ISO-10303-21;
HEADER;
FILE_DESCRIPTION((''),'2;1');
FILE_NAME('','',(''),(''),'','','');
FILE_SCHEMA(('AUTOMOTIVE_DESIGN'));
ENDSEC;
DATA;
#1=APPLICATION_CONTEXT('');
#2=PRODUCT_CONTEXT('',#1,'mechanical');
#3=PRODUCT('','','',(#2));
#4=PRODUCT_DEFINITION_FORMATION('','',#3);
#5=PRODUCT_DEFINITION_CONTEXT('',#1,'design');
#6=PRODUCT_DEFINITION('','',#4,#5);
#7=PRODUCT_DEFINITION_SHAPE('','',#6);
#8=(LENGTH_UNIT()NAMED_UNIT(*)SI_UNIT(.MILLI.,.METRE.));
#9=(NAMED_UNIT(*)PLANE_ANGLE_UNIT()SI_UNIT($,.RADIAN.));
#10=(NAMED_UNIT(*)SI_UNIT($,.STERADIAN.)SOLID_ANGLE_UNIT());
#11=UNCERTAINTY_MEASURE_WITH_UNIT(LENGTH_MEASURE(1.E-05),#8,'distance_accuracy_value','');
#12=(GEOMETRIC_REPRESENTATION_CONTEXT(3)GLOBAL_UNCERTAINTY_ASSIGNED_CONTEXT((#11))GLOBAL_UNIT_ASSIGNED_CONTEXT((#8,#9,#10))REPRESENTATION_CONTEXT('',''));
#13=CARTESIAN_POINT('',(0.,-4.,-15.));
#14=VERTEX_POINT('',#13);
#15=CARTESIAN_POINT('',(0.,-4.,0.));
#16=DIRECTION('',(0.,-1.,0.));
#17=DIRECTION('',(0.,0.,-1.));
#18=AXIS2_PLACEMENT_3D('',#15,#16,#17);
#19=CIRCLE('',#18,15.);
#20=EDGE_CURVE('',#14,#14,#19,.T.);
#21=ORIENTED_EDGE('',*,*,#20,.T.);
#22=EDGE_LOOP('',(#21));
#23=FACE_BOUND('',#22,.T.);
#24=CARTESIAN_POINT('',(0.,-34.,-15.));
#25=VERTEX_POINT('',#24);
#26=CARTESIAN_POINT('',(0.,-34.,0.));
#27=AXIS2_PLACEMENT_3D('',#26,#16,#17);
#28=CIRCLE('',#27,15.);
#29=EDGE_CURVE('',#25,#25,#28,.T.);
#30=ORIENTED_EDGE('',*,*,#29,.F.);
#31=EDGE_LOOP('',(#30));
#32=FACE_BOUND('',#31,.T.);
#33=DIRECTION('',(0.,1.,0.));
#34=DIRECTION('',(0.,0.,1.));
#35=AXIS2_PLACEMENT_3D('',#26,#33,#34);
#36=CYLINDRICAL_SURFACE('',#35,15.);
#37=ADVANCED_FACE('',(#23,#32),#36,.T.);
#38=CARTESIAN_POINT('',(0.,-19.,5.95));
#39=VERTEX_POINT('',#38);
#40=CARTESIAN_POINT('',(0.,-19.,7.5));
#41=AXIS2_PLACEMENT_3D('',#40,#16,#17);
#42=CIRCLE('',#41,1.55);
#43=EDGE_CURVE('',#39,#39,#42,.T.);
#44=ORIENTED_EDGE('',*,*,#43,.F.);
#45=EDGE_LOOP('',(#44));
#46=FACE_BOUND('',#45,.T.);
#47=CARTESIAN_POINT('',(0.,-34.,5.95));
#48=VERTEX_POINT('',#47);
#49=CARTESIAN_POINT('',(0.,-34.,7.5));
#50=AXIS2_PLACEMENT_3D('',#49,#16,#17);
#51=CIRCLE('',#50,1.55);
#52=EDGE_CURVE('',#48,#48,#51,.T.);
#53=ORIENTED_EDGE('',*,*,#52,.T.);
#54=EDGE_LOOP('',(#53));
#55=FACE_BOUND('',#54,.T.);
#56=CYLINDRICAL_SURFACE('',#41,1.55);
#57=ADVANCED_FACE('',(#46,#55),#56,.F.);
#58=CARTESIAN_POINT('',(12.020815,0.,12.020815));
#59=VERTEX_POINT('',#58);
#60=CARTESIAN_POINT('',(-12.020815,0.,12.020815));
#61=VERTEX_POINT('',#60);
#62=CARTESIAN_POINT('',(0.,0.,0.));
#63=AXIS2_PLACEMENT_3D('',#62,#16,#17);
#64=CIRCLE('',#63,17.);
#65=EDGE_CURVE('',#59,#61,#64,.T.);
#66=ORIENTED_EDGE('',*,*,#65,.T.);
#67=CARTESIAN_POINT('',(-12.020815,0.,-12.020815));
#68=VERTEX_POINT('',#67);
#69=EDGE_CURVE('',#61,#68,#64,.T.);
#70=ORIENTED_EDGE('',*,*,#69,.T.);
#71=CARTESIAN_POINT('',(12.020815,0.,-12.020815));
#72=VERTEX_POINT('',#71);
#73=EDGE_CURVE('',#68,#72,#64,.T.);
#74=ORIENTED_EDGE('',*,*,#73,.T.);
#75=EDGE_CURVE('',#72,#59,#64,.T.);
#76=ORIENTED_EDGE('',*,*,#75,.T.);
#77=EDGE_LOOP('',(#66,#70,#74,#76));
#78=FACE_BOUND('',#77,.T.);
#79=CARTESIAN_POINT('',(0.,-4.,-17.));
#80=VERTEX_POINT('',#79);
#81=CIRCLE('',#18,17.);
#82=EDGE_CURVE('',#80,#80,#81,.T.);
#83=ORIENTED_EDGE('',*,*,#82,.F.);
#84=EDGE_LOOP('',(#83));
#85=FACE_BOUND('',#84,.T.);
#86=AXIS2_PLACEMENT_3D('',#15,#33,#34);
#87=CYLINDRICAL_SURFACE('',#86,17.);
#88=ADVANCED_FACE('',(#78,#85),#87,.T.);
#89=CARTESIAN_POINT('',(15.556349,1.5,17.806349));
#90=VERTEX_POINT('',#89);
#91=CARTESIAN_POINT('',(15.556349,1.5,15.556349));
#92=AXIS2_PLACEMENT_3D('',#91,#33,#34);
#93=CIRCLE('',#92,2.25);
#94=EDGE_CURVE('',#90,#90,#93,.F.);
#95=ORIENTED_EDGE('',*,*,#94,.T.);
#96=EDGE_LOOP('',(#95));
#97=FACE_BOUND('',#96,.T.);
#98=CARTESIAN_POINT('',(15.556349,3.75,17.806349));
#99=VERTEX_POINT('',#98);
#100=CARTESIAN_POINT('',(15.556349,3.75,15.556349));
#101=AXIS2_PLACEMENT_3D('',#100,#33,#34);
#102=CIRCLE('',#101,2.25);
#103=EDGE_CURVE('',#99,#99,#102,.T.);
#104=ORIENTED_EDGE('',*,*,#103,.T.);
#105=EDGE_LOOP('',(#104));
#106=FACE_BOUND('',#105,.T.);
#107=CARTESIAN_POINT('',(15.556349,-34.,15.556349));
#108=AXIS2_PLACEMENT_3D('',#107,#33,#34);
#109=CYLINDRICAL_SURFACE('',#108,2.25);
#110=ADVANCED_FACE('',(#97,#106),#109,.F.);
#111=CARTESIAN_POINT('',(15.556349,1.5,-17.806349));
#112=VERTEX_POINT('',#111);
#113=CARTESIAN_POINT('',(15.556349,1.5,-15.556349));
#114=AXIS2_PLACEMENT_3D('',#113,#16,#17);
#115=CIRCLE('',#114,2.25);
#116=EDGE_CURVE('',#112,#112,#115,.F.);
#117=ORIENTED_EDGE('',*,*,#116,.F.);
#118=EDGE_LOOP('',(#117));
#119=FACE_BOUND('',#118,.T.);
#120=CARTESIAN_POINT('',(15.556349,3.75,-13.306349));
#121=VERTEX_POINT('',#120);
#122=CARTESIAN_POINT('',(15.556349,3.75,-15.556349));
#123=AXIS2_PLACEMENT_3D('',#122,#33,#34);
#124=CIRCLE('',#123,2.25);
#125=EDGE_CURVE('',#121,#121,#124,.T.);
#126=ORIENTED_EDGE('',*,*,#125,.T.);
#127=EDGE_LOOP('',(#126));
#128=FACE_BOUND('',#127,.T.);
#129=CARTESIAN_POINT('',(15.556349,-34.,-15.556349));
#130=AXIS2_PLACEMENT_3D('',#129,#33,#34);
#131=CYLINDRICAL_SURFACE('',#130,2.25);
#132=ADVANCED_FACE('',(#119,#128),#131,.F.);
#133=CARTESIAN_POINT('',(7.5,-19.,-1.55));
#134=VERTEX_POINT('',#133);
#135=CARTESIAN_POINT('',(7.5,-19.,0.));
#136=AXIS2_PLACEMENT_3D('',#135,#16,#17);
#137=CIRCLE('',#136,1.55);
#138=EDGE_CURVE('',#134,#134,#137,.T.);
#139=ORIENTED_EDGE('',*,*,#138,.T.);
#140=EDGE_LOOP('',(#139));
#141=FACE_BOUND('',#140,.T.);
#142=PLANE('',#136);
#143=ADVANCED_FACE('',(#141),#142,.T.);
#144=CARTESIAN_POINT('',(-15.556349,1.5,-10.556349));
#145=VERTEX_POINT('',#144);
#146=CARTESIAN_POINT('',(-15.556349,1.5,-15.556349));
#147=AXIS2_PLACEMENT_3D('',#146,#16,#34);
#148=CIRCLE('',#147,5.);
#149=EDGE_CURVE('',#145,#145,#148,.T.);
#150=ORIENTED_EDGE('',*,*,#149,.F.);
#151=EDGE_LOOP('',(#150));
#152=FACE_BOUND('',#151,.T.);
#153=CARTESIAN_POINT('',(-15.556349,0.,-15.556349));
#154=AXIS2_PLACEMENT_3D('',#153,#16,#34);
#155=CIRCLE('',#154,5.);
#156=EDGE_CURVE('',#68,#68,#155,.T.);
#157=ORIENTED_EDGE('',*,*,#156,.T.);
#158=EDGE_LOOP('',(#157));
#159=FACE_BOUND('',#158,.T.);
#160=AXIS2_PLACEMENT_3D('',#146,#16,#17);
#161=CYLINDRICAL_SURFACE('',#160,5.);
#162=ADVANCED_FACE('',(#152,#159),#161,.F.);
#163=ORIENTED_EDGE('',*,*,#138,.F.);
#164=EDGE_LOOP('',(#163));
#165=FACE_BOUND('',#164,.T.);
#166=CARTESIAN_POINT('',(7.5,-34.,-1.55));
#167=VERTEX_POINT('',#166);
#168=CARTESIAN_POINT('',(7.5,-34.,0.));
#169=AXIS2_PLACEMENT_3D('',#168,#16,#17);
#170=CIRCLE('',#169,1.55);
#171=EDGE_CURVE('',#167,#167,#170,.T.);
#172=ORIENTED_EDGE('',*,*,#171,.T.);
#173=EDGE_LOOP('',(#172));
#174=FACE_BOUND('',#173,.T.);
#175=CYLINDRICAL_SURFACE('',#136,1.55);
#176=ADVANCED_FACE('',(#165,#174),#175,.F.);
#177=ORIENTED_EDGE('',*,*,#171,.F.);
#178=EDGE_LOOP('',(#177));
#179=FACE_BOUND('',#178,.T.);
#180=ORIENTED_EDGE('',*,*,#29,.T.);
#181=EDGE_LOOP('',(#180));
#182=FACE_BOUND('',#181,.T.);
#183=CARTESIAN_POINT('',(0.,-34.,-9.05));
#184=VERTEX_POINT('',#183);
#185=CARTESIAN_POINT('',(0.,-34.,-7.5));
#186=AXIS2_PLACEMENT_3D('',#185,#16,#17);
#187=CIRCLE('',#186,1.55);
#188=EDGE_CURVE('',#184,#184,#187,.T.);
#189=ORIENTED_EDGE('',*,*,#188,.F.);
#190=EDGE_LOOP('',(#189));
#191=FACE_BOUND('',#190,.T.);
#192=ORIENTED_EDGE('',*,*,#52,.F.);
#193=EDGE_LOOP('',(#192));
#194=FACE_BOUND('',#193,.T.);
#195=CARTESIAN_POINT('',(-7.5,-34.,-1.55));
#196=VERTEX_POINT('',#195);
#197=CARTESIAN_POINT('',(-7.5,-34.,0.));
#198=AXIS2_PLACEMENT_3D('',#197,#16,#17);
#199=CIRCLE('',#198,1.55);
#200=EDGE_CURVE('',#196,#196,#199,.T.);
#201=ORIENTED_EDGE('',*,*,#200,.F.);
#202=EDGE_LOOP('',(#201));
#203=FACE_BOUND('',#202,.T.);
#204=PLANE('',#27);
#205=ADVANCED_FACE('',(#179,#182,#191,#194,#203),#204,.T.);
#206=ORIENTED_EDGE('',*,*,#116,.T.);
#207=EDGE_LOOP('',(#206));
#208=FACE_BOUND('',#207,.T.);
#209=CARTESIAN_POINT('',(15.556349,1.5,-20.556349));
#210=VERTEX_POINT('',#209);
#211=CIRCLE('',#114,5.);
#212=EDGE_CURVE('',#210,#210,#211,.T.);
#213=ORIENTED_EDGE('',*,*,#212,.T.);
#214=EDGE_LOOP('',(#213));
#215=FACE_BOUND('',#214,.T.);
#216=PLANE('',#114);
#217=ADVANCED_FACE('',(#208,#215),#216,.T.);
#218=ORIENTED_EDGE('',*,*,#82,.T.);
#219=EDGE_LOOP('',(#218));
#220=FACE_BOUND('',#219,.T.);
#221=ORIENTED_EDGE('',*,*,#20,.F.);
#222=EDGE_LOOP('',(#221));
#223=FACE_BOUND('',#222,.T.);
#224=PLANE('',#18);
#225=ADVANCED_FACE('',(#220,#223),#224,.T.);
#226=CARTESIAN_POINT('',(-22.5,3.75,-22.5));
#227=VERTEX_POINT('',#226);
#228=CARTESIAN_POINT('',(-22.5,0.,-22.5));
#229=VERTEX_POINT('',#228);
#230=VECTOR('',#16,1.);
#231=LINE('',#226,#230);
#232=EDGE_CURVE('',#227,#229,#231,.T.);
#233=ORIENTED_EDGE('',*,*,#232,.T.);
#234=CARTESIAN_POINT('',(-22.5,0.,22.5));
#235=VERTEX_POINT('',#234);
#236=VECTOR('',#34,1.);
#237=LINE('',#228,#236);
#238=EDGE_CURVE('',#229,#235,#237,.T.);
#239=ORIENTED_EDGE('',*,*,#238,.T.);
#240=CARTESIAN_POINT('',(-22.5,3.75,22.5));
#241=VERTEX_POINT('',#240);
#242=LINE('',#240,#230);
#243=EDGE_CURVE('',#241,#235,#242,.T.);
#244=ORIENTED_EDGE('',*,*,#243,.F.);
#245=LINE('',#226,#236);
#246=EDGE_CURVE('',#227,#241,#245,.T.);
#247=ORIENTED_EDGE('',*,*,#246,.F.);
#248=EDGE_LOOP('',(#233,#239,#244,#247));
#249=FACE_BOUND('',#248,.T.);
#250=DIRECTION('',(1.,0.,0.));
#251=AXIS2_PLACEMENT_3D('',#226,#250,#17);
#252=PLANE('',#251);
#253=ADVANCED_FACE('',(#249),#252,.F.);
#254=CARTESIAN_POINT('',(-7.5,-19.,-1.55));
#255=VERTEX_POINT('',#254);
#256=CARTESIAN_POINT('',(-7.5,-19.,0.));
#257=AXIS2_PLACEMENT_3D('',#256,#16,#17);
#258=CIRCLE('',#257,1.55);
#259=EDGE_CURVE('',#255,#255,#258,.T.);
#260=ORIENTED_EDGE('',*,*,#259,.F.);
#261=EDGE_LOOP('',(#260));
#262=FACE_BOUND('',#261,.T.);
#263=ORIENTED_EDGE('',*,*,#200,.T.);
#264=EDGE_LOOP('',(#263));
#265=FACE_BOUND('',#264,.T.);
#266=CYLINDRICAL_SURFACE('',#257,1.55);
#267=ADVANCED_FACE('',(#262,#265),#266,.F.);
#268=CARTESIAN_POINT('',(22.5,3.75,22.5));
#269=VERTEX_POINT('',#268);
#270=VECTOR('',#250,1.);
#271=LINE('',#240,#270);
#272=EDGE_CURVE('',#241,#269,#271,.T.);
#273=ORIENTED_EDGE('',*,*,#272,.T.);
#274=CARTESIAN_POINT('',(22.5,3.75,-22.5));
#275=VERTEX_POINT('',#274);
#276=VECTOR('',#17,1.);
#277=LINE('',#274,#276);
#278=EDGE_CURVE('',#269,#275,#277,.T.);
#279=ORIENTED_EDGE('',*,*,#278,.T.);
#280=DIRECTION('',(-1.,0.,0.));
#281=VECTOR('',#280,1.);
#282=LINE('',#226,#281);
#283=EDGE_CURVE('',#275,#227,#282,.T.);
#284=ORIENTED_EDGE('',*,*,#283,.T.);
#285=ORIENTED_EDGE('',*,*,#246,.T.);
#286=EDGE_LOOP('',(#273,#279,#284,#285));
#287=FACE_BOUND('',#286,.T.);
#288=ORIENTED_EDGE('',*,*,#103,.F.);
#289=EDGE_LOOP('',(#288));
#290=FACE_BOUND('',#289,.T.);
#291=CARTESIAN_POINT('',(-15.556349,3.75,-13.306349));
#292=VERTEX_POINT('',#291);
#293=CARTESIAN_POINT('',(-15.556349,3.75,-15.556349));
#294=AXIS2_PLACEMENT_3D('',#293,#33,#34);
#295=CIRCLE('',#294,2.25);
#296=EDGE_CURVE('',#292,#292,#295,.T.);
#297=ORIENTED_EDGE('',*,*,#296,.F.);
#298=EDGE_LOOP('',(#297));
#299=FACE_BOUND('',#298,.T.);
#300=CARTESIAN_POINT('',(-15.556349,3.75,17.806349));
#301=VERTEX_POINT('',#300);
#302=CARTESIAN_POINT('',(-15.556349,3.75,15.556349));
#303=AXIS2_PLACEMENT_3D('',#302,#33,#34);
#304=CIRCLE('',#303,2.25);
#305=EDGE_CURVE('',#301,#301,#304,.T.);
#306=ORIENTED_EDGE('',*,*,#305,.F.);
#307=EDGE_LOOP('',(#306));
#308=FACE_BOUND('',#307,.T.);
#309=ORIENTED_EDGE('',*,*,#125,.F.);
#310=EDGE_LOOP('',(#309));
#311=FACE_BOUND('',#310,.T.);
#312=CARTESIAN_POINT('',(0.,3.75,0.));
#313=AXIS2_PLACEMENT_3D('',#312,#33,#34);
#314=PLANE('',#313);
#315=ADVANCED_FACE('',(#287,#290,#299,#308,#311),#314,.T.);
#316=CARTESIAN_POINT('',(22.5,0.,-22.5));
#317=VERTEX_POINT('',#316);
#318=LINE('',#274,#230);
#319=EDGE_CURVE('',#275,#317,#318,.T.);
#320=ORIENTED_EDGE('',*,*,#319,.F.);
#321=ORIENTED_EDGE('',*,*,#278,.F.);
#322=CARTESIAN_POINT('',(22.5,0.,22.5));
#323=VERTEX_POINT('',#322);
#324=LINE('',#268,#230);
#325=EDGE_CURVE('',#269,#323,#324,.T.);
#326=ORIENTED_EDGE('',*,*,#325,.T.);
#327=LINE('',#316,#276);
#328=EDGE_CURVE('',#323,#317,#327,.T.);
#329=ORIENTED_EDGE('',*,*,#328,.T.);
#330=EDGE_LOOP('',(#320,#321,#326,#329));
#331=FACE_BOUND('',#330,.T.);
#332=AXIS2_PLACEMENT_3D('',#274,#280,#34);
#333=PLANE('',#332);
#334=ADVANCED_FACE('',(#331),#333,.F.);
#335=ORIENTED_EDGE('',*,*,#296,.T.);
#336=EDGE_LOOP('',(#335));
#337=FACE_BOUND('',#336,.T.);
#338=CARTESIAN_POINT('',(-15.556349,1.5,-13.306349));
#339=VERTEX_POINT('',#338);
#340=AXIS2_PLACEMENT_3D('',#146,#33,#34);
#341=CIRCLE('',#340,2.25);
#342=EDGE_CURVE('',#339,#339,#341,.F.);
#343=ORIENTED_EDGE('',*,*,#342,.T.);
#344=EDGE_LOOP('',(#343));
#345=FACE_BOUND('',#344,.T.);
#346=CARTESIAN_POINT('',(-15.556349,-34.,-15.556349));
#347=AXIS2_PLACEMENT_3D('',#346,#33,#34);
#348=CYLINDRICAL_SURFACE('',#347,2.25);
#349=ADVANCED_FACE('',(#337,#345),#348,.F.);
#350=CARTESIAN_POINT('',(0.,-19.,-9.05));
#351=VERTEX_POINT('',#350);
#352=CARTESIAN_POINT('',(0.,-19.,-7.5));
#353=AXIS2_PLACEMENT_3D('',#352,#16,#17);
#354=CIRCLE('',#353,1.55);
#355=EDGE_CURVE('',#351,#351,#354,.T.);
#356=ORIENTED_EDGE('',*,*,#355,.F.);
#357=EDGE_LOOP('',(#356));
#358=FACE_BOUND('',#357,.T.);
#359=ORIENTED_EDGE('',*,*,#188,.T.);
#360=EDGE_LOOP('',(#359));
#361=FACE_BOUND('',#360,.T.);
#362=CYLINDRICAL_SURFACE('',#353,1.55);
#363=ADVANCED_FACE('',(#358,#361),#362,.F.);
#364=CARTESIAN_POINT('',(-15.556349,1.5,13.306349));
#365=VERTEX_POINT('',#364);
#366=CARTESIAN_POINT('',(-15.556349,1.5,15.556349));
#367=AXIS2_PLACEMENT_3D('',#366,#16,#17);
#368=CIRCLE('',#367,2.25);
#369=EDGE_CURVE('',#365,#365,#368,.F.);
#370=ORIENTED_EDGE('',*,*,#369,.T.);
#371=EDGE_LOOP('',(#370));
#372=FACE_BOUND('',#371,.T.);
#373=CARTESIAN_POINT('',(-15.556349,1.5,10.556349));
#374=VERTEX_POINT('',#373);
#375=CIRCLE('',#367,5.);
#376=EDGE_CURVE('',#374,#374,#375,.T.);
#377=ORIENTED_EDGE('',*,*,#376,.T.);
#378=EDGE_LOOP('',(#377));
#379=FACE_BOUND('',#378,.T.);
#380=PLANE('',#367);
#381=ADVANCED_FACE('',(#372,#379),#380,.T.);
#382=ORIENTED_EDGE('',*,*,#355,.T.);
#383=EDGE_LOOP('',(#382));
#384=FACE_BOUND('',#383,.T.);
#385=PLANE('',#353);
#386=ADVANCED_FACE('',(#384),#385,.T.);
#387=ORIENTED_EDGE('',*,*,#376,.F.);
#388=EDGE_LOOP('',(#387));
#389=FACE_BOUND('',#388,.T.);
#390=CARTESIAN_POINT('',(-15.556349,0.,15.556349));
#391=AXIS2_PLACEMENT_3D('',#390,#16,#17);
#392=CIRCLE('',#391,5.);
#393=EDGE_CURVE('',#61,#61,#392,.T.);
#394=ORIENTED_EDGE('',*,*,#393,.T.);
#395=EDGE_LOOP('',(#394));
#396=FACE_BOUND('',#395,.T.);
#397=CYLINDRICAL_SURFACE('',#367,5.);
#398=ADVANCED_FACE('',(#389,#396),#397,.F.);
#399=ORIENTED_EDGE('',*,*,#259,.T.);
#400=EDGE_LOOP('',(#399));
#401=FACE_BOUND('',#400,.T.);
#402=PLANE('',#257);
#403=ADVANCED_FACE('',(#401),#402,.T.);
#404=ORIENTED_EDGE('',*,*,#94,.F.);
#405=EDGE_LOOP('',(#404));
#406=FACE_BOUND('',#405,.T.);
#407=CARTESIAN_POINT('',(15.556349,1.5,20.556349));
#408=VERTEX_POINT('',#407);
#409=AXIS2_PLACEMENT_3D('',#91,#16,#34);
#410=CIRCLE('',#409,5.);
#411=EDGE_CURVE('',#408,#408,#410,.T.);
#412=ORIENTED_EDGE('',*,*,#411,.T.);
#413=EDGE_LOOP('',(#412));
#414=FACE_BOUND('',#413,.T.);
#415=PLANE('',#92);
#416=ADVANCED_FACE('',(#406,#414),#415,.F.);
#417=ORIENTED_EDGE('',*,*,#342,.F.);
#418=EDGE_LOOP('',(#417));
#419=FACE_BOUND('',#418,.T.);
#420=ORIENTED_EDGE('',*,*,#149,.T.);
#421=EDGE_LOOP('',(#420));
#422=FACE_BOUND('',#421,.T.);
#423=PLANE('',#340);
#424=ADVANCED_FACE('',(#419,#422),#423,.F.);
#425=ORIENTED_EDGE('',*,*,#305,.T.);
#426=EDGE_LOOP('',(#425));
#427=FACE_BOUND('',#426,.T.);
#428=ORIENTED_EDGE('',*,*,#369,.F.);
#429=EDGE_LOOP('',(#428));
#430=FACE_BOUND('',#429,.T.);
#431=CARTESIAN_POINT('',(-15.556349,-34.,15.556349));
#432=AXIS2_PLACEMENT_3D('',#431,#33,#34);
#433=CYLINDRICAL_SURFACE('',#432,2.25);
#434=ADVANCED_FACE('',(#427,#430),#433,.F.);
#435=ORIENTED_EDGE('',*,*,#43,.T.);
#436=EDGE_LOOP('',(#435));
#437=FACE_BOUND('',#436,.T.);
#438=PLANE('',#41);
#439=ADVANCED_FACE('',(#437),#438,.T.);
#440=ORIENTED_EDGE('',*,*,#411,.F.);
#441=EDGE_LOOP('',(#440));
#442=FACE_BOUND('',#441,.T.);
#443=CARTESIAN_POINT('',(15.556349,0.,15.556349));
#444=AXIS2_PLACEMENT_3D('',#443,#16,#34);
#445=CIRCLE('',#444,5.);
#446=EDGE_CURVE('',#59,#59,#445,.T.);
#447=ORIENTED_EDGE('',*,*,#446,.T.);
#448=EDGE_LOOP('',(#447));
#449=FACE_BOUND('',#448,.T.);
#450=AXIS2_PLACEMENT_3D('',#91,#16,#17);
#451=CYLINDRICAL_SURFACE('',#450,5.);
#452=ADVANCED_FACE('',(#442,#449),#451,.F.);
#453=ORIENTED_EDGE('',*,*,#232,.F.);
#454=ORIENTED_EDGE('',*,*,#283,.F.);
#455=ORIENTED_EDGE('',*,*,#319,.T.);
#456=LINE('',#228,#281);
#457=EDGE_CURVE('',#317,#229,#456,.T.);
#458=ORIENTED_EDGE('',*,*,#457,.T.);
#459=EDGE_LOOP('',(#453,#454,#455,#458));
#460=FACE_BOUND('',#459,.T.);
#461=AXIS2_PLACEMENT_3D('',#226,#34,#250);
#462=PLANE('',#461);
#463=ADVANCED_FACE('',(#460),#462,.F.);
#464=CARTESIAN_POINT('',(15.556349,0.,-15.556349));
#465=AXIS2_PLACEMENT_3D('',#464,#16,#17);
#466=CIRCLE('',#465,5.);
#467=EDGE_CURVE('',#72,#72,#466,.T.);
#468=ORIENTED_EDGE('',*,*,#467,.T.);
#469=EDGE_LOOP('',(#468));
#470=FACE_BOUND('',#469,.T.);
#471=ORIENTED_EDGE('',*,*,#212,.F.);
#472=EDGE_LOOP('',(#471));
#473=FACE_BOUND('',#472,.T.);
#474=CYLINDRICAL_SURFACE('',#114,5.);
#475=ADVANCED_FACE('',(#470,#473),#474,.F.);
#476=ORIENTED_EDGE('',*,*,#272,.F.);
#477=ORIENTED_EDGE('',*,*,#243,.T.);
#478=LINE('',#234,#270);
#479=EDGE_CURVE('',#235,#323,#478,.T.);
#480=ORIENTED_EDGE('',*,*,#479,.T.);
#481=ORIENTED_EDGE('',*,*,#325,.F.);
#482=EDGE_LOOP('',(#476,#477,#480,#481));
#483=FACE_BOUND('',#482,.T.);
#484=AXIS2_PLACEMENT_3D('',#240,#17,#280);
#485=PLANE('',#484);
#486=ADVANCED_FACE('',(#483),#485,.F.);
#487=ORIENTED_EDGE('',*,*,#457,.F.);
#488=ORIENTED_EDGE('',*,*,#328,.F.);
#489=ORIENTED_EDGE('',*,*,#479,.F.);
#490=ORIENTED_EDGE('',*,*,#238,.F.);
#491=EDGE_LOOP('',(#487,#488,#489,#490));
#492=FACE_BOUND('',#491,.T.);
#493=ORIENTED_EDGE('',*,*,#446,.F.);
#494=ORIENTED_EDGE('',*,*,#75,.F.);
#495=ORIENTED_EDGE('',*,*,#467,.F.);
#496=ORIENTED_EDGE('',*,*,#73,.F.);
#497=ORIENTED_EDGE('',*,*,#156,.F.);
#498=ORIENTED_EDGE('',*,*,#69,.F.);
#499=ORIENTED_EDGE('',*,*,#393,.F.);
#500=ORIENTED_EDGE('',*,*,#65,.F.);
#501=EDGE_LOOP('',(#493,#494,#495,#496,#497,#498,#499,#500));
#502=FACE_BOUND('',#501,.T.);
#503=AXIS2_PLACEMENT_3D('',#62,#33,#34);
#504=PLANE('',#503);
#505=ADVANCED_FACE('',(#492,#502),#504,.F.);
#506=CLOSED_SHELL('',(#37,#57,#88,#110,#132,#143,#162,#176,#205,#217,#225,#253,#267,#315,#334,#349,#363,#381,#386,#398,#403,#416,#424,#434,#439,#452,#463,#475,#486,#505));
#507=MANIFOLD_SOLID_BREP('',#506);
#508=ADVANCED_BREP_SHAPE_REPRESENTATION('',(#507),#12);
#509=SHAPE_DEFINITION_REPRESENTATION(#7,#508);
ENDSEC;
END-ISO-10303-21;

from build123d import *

# Parameters (mm, degrees)
SKETCH1_W           = 45
SKETCH1_H           = 45
BOSS_EXTRUDE1_DEPTH = 3.75
SKETCH2_R           = 15
BOSS_EXTRUDE2_DEPTH = 34
SKETCH3_R           = 2.25
CUT_EXTRUDE1_DEPTH  = 50.371677103
SKETCH4_R           = 5
CUT_EXTRUDE2_DEPTH  = 1.5
SKETCH5_R           = 1.55
CUT_EXTRUDE3_DEPTH  = 15
SKETCH7_R           = 17
BOSS_EXTRUDE3_DEPTH = 4


with BuildPart() as part:
    # Sketch1 → Boss-Extrude1 (new body)
    with BuildSketch(Plane(origin=(0, 0, 0), x_dir=(1, 0, 0), z_dir=(0, 1, 0))):
        Rectangle(SKETCH1_W, SKETCH1_H)
    extrude(amount=BOSS_EXTRUDE1_DEPTH)

    # Sketch2 → Boss-Extrude2 (add)
    with BuildSketch(Plane.XZ):
        with Locations(Location((0, 0, 0), (0, 0, 270))):
            Circle(SKETCH2_R)
    extrude(amount=BOSS_EXTRUDE2_DEPTH)

    # Sketch3 → Cut-Extrude1 (cut, through all)
    with BuildSketch(Plane(origin=(0, 3.75, 0), x_dir=(1, 0, 0), z_dir=(0, 1, 0))):
        with Locations(Location((15.556349186, 15.556349186, 0), (0, 0, 270))):
            Circle(SKETCH3_R)
        with Locations(Location((15.556349186, -15.556349186, 0), (0, 0, 270))):
            Circle(SKETCH3_R)
        with Locations(Location((-15.556349186, -15.556349186, 0), (0, 0, 270))):
            Circle(SKETCH3_R)
        with Locations(Location((-15.556349186, 15.556349186, 0), (0, 0, 270))):
            Circle(SKETCH3_R)
    extrude(amount=-CUT_EXTRUDE1_DEPTH, mode=Mode.SUBTRACT)

    # Sketch4 → Cut-Extrude2 (cut)
    with BuildSketch(Plane.XZ):
        with Locations(Location((-15.556349186, 15.556349186, 0), (0, 0, 270))):
            Circle(SKETCH4_R)
        with Locations(Location((15.556349186, 15.556349186, 0), (0, 0, 90))):
            Circle(SKETCH4_R)
        with Locations(Location((15.556349186, -15.556349186, 0), (0, 0, 270))):
            Circle(SKETCH4_R)
        with Locations(Location((-15.556349186, -15.556349186, 0), (0, 0, 90))):
            Circle(SKETCH4_R)
    extrude(amount=-CUT_EXTRUDE2_DEPTH, mode=Mode.SUBTRACT)

    # Sketch5 → Cut-Extrude3 (cut)
    with BuildSketch(Plane.XZ.offset(34)):
        with Locations(Location((7.5, 0, 0), (0, 0, 270))):
            Circle(SKETCH5_R)
        with Locations(Location((0, -7.5, 0), (0, 0, 270))):
            Circle(SKETCH5_R)
        with Locations(Location((-7.5, 0, 0), (0, 0, 270))):
            Circle(SKETCH5_R)
        with Locations(Location((0, 7.5, 0), (0, 0, 270))):
            Circle(SKETCH5_R)
    extrude(amount=-CUT_EXTRUDE3_DEPTH, mode=Mode.SUBTRACT)

    # Sketch7 → Boss-Extrude3 (add)
    with BuildSketch(Plane.XZ):
        with Locations(Location((0, 0, 0), (0, 0, 134.999906315))):
            Circle(SKETCH7_R)
    extrude(amount=BOSS_EXTRUDE3_DEPTH)


solid = part.part
